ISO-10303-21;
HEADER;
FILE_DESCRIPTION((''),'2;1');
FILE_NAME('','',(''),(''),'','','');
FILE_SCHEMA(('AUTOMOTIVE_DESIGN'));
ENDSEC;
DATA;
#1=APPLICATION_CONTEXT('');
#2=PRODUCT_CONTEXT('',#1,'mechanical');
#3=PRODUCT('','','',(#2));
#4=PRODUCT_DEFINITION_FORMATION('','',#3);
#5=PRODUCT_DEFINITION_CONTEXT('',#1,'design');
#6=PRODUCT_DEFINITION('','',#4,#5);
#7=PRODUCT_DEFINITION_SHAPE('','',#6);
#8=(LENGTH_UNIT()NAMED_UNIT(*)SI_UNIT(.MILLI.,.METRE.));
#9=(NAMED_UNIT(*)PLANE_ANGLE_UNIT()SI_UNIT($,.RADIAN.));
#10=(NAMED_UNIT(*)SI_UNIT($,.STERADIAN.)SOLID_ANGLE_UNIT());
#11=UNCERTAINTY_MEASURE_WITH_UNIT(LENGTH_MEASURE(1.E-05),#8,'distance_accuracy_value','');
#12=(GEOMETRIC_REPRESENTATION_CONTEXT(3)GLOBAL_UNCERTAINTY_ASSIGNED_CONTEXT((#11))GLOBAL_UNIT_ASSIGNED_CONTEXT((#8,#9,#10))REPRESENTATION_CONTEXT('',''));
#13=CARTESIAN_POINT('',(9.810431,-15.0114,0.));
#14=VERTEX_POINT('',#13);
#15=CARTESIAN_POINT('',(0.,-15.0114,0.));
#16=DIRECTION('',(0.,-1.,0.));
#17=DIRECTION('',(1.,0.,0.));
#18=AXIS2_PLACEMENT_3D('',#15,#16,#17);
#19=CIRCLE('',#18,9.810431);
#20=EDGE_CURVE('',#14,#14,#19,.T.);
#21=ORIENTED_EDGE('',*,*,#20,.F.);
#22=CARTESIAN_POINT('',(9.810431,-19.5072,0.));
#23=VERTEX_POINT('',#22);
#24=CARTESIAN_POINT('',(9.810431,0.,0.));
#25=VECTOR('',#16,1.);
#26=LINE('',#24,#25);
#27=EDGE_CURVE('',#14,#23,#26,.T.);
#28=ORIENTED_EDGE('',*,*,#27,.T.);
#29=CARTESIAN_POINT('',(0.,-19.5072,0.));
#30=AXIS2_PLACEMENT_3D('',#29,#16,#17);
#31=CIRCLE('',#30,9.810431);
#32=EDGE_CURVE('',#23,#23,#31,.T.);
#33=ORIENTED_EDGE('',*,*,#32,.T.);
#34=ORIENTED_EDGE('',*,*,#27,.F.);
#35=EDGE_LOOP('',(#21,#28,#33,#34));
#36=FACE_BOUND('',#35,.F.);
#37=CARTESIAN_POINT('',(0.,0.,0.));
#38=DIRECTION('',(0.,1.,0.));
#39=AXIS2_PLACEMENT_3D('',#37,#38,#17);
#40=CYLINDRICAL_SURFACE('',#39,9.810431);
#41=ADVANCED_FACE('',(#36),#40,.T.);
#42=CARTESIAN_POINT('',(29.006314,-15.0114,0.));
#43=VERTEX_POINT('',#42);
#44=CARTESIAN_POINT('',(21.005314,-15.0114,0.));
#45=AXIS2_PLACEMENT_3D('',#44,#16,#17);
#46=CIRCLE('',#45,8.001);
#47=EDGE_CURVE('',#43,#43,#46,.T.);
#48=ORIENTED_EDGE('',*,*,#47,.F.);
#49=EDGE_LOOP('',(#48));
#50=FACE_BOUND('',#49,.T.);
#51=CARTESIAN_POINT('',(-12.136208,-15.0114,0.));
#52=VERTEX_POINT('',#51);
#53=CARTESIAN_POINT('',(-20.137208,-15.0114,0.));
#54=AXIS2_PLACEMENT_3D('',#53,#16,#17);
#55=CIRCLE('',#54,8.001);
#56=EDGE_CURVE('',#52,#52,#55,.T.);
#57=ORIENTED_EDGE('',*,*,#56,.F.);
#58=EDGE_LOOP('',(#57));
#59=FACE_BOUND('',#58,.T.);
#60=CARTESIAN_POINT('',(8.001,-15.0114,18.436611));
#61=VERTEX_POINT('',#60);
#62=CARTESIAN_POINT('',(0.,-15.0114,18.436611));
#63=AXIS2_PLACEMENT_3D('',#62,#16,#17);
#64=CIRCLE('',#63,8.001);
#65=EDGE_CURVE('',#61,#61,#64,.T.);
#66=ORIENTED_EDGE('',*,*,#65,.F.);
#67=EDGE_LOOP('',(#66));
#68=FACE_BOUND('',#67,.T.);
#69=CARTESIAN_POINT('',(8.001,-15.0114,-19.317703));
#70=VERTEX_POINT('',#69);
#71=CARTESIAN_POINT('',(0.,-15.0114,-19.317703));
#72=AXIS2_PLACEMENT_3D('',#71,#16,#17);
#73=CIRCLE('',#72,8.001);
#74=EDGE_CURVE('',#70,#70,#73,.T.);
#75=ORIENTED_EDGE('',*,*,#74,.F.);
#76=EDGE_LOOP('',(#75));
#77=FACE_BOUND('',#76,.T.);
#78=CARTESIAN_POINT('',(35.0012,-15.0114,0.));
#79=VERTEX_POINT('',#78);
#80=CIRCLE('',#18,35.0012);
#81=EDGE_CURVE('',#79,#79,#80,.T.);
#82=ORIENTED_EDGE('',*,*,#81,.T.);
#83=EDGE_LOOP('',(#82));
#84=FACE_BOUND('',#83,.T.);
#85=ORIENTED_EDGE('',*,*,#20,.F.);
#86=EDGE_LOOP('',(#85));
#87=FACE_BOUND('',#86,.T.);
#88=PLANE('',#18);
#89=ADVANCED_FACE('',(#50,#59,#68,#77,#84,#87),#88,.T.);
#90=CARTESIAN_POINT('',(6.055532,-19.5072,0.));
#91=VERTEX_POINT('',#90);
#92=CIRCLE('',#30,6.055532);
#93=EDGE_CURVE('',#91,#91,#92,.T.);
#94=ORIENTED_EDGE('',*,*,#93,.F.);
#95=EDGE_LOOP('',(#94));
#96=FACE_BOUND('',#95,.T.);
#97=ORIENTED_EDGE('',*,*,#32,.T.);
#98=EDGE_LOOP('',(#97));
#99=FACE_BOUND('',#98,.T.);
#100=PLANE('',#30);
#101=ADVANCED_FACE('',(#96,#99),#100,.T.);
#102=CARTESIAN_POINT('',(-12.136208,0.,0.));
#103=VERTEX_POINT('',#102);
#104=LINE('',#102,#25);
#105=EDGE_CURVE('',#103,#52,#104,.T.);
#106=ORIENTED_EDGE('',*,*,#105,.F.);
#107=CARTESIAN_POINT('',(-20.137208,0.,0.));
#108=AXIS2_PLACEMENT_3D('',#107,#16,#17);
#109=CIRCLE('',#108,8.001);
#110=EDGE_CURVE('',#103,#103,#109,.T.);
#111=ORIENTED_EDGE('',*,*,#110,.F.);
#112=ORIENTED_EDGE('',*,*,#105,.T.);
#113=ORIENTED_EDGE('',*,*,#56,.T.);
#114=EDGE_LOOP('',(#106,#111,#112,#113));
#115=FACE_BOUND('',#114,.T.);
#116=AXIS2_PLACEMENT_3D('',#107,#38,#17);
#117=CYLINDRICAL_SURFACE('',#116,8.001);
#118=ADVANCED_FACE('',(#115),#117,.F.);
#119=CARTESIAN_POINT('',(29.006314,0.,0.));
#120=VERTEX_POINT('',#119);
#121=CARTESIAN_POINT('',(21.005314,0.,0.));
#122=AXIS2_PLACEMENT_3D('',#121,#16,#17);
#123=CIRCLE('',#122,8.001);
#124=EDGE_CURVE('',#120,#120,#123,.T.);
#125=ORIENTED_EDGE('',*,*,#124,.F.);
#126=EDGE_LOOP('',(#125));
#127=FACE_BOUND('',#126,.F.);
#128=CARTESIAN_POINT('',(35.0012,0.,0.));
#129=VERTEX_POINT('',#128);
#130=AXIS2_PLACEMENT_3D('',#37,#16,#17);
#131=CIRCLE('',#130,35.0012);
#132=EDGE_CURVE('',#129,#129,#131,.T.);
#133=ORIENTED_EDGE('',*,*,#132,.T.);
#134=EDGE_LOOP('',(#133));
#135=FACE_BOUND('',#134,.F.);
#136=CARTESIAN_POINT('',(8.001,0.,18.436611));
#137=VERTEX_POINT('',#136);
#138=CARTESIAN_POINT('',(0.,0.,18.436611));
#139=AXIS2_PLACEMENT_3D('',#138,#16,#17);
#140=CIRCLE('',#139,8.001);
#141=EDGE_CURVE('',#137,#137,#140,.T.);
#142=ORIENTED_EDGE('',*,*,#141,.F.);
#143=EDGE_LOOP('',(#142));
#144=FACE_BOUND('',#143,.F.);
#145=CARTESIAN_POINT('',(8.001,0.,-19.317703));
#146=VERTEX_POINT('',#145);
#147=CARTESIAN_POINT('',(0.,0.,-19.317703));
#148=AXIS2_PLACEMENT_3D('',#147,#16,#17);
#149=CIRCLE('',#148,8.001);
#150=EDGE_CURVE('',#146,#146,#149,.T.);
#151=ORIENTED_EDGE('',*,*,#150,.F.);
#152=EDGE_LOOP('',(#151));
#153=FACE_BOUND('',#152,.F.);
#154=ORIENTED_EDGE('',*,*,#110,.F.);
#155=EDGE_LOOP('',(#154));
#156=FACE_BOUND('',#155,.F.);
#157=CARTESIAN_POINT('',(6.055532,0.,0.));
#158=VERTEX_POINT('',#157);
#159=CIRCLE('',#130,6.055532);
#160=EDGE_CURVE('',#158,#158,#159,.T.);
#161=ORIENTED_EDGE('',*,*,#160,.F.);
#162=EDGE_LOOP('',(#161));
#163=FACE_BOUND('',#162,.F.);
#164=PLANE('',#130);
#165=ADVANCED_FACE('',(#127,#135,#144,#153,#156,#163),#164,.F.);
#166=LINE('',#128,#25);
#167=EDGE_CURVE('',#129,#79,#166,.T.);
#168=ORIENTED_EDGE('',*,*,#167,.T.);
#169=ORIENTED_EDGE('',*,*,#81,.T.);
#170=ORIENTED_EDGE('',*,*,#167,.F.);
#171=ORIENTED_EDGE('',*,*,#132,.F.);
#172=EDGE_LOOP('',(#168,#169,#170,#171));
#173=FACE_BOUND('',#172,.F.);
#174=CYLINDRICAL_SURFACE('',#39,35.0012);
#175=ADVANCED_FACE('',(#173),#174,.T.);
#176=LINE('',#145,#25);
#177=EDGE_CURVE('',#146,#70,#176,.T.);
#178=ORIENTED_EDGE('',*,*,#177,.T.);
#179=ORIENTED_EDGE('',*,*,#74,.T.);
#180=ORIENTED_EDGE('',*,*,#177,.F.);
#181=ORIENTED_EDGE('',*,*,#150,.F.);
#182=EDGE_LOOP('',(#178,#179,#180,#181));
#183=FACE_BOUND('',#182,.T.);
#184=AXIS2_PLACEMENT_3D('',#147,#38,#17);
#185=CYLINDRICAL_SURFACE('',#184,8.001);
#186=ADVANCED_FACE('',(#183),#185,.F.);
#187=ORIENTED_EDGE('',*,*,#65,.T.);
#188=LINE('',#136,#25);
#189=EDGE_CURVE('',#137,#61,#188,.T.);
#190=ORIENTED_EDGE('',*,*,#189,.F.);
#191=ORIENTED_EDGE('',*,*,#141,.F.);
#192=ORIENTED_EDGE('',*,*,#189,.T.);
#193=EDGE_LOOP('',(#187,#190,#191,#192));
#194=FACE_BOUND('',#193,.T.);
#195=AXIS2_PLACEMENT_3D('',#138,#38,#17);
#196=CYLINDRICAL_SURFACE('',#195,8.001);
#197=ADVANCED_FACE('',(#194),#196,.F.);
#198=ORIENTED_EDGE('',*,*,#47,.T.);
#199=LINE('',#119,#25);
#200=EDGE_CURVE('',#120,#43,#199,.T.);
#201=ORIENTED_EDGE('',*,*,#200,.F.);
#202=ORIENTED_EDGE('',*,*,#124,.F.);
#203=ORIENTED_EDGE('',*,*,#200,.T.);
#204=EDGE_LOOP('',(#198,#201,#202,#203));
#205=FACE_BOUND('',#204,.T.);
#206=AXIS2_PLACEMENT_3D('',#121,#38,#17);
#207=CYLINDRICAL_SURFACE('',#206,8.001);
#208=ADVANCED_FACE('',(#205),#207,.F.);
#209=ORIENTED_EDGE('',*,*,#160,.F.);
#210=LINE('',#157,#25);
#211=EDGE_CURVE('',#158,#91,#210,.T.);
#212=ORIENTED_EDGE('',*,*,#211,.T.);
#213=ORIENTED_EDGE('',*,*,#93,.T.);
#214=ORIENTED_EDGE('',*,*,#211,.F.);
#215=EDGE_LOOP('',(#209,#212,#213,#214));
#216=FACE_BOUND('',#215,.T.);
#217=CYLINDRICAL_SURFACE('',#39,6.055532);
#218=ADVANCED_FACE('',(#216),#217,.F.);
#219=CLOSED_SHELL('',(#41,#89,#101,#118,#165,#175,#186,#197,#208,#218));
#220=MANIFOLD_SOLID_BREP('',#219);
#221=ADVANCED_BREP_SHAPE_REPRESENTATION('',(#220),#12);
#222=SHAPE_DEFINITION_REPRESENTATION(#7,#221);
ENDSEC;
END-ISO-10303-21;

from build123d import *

# Parameters (mm, degrees)
F0_R     = 35.0012
F0_R_2   = 29.9974
F1_DEPTH = 15.0114
F0_R_3   = 8.001
F0_R_4   = 9.810431
F2_DEPTH = 15.0114
F0_R_5   = 6.055532
F3_DEPTH = 19.5072


with BuildPart() as f1:
    # F0 (on Front) → F1 (new body)
    with BuildSketch(Plane.XZ):
        Circle(F0_R)
        Circle(F0_R_2, mode=Mode.SUBTRACT)
    extrude(amount=F1_DEPTH)

    # F0 (on Front) → F2 (join)
    with BuildSketch(Plane.XZ):
        Circle(F0_R_2)
        with Locations((0, -19.317703)):
            Circle(F0_R_3, mode=Mode.SUBTRACT)
        with Locations((-20.137208, 0)):
            Circle(F0_R_3, mode=Mode.SUBTRACT)
        Circle(F0_R_4, mode=Mode.SUBTRACT)
        with Locations((21.005314, 0)):
            Circle(F0_R_3, mode=Mode.SUBTRACT)
        with Locations((0, 18.436611)):
            Circle(F0_R_3, mode=Mode.SUBTRACT)
    extrude(amount=F2_DEPTH)

    # F0 (on Front) → F3 (join)
    with BuildSketch(Plane.XZ):
        Circle(F0_R_4)
        Circle(F0_R_5, mode=Mode.SUBTRACT)
    extrude(amount=F3_DEPTH)


solid = f1.part
